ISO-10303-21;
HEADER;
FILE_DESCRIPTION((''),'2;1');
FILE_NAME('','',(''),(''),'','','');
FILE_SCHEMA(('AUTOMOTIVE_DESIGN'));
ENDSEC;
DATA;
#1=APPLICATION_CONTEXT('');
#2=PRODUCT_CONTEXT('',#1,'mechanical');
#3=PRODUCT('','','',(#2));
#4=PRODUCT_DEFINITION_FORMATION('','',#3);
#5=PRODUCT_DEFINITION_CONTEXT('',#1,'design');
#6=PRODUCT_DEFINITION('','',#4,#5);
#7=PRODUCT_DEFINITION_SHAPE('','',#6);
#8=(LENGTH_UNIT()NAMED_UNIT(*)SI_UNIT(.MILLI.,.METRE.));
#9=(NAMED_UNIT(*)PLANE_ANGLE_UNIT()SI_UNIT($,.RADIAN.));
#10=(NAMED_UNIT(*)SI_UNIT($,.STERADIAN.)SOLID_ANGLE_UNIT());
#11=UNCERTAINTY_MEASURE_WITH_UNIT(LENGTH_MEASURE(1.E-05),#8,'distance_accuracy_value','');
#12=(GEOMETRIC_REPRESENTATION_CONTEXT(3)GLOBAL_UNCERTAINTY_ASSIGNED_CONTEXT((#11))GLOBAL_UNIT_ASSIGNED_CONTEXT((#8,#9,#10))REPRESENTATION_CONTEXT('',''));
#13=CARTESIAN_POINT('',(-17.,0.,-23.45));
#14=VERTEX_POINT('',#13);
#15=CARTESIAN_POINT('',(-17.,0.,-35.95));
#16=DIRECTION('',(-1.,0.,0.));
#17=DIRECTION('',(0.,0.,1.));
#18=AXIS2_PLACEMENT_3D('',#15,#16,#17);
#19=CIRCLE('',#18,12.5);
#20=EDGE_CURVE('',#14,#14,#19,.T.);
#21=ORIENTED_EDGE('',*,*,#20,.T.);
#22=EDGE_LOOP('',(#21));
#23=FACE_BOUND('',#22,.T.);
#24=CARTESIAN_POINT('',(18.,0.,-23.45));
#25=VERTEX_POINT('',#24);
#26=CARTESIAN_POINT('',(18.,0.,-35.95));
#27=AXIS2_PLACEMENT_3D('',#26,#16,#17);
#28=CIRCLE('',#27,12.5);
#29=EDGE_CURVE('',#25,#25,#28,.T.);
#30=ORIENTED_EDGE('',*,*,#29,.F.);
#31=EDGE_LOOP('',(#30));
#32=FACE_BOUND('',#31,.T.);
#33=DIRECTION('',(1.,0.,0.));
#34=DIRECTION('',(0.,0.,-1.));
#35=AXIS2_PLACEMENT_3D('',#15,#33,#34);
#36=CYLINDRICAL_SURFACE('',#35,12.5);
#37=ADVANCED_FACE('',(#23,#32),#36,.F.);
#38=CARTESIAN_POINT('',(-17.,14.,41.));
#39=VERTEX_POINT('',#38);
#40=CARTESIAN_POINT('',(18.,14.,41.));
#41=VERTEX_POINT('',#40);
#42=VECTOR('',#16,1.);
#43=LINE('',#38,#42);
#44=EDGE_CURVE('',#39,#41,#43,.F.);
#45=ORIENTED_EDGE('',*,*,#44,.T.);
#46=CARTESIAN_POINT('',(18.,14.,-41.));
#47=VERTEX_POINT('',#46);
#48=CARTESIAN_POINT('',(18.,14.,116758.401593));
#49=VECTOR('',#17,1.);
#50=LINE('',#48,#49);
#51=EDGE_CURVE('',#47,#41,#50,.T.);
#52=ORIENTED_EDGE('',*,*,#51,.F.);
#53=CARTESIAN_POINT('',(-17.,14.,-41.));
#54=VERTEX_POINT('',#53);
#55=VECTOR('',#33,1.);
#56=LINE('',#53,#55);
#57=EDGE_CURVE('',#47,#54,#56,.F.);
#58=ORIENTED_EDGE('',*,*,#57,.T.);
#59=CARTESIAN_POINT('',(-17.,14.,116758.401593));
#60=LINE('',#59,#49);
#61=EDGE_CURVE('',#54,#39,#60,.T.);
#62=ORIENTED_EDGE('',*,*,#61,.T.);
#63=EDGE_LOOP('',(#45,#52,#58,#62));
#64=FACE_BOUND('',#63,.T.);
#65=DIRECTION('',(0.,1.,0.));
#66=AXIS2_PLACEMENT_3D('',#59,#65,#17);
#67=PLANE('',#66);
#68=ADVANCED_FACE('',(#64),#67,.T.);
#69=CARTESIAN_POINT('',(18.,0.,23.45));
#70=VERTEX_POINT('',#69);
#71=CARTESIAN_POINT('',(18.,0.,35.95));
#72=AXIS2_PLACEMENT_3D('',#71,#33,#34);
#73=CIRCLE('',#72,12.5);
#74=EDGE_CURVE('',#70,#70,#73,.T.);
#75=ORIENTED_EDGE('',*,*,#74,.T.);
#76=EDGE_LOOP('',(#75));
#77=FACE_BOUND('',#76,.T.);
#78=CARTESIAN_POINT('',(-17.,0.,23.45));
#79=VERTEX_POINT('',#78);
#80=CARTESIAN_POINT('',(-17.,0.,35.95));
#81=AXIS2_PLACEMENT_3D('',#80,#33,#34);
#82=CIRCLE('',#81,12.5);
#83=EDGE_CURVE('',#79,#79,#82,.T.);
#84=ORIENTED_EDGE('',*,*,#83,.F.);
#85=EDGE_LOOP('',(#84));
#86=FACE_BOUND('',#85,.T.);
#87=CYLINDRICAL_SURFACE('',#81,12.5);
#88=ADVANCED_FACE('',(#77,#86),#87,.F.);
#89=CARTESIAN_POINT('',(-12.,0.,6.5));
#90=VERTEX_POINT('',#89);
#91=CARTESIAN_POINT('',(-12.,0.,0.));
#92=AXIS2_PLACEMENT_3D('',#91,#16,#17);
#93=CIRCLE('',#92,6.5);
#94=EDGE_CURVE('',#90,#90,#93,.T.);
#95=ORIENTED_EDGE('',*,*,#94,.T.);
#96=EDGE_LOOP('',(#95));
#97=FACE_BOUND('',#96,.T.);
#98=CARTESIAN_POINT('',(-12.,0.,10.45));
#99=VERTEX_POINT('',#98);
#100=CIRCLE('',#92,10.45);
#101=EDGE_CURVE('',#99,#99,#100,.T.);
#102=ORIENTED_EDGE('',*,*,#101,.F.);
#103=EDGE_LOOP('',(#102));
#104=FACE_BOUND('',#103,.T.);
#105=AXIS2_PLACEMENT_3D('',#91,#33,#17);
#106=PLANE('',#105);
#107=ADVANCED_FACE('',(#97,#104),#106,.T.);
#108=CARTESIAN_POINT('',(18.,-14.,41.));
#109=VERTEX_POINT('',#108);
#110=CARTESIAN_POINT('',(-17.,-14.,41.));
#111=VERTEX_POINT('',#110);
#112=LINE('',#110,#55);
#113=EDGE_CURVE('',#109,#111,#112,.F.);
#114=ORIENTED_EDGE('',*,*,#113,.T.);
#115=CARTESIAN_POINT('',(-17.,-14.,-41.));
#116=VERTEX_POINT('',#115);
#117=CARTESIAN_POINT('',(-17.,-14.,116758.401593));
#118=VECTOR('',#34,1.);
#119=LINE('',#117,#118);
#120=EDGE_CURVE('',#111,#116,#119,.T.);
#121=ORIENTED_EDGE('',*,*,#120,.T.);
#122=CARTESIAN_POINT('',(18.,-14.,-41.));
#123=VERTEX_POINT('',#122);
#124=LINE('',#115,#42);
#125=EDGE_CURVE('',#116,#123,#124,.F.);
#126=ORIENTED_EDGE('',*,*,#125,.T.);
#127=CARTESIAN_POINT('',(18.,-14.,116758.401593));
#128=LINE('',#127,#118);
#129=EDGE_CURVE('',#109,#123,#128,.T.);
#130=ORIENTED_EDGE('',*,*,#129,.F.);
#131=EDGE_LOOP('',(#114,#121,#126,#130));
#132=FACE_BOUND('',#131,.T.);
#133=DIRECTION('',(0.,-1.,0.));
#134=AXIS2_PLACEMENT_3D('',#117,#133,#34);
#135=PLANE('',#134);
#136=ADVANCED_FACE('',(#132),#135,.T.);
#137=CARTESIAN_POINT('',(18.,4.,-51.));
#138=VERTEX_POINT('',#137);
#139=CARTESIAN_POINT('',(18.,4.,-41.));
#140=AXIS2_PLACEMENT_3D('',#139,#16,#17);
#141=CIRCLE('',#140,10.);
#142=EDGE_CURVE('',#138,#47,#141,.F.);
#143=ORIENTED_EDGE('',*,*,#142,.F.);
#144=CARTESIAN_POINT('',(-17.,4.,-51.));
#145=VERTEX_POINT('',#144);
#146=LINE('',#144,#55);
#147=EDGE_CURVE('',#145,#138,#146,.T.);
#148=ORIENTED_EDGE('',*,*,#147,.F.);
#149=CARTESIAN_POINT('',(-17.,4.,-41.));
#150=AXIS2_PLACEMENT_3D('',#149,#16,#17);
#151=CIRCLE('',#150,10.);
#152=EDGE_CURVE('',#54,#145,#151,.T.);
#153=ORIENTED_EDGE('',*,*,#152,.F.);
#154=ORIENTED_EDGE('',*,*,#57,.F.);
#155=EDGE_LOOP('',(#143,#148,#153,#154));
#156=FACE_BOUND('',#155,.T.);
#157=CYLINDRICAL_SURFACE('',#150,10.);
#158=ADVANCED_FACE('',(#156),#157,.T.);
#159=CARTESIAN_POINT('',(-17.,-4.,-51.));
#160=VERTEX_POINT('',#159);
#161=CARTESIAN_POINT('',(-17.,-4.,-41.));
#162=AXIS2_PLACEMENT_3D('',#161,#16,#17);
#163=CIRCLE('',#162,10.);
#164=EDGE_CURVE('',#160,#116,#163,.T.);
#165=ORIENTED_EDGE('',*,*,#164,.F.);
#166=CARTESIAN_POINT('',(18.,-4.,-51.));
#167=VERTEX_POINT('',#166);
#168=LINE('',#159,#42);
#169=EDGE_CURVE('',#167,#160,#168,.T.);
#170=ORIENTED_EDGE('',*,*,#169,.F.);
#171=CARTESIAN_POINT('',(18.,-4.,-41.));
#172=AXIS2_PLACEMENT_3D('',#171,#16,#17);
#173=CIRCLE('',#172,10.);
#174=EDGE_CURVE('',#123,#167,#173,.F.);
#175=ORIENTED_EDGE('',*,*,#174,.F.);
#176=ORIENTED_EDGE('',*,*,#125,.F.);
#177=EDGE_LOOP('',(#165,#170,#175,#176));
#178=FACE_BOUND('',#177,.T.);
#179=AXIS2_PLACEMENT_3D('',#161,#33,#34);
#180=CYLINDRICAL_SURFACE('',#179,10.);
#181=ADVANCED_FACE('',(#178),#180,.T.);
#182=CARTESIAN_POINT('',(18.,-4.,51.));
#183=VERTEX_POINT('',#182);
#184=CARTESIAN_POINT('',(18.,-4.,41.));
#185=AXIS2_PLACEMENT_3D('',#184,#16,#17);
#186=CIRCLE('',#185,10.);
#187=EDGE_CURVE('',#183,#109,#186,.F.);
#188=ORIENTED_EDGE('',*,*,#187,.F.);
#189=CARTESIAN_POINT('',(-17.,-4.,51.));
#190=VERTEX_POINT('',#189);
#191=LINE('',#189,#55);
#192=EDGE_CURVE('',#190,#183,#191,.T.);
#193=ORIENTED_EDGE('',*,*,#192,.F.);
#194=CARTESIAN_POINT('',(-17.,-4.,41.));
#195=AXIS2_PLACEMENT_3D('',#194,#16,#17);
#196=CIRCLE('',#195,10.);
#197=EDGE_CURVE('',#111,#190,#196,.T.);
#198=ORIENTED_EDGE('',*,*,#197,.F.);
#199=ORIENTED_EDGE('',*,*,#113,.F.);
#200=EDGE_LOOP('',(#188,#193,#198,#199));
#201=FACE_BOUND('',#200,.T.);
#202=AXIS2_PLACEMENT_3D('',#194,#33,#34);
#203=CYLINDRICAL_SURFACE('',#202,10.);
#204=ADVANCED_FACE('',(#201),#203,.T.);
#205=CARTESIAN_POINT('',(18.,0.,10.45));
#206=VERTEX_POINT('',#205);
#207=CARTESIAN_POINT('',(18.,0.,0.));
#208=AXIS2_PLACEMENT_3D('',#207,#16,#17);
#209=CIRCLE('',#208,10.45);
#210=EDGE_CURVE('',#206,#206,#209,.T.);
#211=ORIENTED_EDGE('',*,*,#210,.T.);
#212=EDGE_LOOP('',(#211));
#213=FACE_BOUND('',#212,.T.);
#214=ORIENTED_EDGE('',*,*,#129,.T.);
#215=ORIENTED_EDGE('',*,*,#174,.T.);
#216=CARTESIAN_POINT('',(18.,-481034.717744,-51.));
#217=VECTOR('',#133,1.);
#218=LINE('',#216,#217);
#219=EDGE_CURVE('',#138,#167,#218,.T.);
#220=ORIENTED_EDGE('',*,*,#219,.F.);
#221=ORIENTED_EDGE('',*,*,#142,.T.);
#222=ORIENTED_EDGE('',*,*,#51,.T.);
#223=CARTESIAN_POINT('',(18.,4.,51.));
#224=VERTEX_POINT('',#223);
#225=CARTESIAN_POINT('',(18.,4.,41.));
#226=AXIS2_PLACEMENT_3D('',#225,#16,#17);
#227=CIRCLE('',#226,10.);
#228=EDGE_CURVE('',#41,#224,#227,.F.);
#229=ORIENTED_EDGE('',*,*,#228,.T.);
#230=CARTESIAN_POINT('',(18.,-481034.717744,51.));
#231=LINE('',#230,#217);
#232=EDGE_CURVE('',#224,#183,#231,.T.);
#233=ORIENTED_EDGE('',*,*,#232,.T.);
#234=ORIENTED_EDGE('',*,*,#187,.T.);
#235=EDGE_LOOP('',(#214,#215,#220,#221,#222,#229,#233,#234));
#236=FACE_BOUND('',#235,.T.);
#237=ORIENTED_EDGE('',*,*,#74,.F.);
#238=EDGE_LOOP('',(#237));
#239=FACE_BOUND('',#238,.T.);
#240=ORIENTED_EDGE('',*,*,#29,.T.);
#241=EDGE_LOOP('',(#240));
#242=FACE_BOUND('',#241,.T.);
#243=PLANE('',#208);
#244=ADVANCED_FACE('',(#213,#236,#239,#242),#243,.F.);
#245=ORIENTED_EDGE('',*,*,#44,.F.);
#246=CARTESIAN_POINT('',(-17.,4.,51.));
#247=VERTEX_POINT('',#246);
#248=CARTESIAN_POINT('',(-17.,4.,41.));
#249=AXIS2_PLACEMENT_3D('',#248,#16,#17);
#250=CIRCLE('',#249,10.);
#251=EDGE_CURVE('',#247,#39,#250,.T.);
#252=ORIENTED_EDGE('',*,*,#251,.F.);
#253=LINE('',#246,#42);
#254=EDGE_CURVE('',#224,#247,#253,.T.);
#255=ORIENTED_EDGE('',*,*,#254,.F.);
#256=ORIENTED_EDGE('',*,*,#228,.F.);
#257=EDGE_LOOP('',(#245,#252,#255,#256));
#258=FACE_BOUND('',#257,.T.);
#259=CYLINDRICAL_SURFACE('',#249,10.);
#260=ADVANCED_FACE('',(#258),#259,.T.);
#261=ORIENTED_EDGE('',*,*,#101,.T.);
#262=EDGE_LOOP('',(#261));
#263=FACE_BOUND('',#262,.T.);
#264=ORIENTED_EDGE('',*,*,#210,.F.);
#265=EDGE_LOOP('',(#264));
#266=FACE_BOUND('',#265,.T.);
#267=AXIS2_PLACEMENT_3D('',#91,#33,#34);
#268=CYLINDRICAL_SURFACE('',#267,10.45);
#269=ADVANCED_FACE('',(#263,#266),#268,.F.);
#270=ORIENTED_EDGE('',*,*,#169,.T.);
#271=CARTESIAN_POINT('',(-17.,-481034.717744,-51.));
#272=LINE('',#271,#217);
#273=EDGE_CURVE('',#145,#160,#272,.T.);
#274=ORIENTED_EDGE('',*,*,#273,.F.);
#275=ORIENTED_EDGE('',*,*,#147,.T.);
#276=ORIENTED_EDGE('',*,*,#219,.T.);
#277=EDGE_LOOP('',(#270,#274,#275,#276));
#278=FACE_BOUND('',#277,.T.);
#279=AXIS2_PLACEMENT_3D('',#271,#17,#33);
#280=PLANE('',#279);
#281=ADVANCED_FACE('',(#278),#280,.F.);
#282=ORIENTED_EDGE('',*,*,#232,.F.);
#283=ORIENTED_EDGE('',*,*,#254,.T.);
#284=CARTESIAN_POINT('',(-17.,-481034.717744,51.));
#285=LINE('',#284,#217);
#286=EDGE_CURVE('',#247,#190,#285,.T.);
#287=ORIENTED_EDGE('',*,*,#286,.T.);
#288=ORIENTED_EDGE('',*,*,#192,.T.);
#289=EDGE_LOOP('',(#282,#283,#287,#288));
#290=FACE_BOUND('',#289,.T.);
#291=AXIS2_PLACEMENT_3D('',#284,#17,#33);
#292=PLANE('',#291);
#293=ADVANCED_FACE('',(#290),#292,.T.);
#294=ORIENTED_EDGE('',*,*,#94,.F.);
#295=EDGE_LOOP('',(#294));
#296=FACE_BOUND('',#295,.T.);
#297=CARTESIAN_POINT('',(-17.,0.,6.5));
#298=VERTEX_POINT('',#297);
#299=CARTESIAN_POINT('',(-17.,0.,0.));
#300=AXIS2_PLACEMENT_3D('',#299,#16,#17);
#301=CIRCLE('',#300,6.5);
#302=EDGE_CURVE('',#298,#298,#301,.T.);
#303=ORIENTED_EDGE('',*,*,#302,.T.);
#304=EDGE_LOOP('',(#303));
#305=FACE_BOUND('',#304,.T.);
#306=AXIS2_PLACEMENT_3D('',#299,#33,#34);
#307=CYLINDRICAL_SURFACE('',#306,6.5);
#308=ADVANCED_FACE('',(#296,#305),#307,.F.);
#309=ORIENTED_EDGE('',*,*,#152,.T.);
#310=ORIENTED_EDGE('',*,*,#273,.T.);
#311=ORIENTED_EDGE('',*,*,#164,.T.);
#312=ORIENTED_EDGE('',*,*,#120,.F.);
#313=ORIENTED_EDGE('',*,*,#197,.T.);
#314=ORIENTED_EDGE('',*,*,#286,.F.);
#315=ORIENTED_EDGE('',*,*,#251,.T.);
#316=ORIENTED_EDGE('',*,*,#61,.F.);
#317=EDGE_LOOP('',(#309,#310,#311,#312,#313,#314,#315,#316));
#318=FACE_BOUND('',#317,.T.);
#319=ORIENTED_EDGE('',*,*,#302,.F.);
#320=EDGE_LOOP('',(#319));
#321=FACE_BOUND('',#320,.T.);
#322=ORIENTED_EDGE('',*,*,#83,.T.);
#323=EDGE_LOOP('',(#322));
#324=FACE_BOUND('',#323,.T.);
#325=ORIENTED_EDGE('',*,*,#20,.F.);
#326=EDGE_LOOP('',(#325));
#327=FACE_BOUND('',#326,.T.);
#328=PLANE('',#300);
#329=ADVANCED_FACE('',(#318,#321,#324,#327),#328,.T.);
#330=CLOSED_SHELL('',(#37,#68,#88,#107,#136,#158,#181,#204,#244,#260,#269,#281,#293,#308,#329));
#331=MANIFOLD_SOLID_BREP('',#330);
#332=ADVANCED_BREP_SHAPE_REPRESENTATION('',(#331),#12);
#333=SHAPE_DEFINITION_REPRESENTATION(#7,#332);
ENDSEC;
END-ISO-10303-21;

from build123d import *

# Parameters (mm, degrees)
BOSS_EXTRUDE1_START  = -17
BOSS_EXTRUDE1_DEPTH  = 35
SKETCH2_R            = 10.45
CUT_EXTRUDE1_DEPTH   = 30
SKETCH3_R            = 6.5
CUT_EXTRUDE2_DEPTH   = 61.802960454
SKETCH4_R            = 12.5
CUT_EXTRUDE3_DEPTH   = 64.419239983
FILLET5_R            = 10
FILLET6_R            = 10
FILLET5_OF_MIRROR2_R = 10
FILLET6_OF_MIRROR2_R = 10


with BuildPart() as part:
    # Sketch1 → Boss-Extrude1 (new body)
    with BuildSketch(Plane.YZ.offset(BOSS_EXTRUDE1_START)):
        with BuildLine():
            Line((-14, 0), (-14, 51))
            Line((-14, 51), (14, 51))
            Line((14, 51), (14, 0))
            ThreePointArc((14, 0), (0, -14), (-14, 0))
        make_face()
    boss_extrude1 = extrude(amount=BOSS_EXTRUDE1_DEPTH)

    # Sketch2 → Cut-Extrude1 (cut)
    with BuildSketch(Plane.YZ.offset(18)):
        with Locations(Location((0, 0, 0), (0, 0, 270))):
            Circle(SKETCH2_R)
    cut_extrude1 = extrude(amount=-CUT_EXTRUDE1_DEPTH, mode=Mode.SUBTRACT)

    # Sketch3 → Cut-Extrude2 (cut, through all)
    with BuildSketch(Plane.YZ.offset(-12)):
        with Locations(Location((0, 0, 0), (0, 0, 270))):
            Circle(SKETCH3_R)
    cut_extrude2 = extrude(amount=-CUT_EXTRUDE2_DEPTH, mode=Mode.SUBTRACT)

    # Sketch4 → Cut-Extrude3 (cut, through all)
    with BuildSketch(Plane.YZ.offset(18)):
        with Locations(Location((0, 35.95, 0), (0, 0, 270))):
            Circle(SKETCH4_R)
    cut_extrude3 = extrude(amount=-CUT_EXTRUDE3_DEPTH, mode=Mode.SUBTRACT)

    # Fillet5
    fillet5_edges = [part.edges().sort_by_distance(p)[0] for p in [
        (0.5, 14, 51),
    ]]
    fillet(fillet5_edges, radius=FILLET5_R)

    # Fillet6
    fillet6_edges = [part.edges().sort_by_distance(p)[0] for p in [
        (0.5, -14, 51),
    ]]
    fillet(fillet6_edges, radius=FILLET6_R)

    # Mirror2: Boss-Extrude1, Cut-Extrude1, Cut-Extrude2, Cut-Extrude3 across plane
    add(boss_extrude1.mirror(Plane.XY))
    add(cut_extrude1.mirror(Plane.XY), mode=Mode.SUBTRACT)
    add(cut_extrude2.mirror(Plane.XY), mode=Mode.SUBTRACT)
    add(cut_extrude3.mirror(Plane.XY), mode=Mode.SUBTRACT)

    # Fillet5 of Mirror2
    fillet5_of_mirror2_edges = [part.edges().sort_by_distance(p)[0] for p in [
        (0.5, 14, -51),
    ]]
    fillet(fillet5_of_mirror2_edges, radius=FILLET5_OF_MIRROR2_R)

    # Fillet6 of Mirror2
    fillet6_of_mirror2_edges = [part.edges().sort_by_distance(p)[0] for p in [
        (0.5, -14, -51),
    ]]
    fillet(fillet6_of_mirror2_edges, radius=FILLET6_OF_MIRROR2_R)


solid = part.part
